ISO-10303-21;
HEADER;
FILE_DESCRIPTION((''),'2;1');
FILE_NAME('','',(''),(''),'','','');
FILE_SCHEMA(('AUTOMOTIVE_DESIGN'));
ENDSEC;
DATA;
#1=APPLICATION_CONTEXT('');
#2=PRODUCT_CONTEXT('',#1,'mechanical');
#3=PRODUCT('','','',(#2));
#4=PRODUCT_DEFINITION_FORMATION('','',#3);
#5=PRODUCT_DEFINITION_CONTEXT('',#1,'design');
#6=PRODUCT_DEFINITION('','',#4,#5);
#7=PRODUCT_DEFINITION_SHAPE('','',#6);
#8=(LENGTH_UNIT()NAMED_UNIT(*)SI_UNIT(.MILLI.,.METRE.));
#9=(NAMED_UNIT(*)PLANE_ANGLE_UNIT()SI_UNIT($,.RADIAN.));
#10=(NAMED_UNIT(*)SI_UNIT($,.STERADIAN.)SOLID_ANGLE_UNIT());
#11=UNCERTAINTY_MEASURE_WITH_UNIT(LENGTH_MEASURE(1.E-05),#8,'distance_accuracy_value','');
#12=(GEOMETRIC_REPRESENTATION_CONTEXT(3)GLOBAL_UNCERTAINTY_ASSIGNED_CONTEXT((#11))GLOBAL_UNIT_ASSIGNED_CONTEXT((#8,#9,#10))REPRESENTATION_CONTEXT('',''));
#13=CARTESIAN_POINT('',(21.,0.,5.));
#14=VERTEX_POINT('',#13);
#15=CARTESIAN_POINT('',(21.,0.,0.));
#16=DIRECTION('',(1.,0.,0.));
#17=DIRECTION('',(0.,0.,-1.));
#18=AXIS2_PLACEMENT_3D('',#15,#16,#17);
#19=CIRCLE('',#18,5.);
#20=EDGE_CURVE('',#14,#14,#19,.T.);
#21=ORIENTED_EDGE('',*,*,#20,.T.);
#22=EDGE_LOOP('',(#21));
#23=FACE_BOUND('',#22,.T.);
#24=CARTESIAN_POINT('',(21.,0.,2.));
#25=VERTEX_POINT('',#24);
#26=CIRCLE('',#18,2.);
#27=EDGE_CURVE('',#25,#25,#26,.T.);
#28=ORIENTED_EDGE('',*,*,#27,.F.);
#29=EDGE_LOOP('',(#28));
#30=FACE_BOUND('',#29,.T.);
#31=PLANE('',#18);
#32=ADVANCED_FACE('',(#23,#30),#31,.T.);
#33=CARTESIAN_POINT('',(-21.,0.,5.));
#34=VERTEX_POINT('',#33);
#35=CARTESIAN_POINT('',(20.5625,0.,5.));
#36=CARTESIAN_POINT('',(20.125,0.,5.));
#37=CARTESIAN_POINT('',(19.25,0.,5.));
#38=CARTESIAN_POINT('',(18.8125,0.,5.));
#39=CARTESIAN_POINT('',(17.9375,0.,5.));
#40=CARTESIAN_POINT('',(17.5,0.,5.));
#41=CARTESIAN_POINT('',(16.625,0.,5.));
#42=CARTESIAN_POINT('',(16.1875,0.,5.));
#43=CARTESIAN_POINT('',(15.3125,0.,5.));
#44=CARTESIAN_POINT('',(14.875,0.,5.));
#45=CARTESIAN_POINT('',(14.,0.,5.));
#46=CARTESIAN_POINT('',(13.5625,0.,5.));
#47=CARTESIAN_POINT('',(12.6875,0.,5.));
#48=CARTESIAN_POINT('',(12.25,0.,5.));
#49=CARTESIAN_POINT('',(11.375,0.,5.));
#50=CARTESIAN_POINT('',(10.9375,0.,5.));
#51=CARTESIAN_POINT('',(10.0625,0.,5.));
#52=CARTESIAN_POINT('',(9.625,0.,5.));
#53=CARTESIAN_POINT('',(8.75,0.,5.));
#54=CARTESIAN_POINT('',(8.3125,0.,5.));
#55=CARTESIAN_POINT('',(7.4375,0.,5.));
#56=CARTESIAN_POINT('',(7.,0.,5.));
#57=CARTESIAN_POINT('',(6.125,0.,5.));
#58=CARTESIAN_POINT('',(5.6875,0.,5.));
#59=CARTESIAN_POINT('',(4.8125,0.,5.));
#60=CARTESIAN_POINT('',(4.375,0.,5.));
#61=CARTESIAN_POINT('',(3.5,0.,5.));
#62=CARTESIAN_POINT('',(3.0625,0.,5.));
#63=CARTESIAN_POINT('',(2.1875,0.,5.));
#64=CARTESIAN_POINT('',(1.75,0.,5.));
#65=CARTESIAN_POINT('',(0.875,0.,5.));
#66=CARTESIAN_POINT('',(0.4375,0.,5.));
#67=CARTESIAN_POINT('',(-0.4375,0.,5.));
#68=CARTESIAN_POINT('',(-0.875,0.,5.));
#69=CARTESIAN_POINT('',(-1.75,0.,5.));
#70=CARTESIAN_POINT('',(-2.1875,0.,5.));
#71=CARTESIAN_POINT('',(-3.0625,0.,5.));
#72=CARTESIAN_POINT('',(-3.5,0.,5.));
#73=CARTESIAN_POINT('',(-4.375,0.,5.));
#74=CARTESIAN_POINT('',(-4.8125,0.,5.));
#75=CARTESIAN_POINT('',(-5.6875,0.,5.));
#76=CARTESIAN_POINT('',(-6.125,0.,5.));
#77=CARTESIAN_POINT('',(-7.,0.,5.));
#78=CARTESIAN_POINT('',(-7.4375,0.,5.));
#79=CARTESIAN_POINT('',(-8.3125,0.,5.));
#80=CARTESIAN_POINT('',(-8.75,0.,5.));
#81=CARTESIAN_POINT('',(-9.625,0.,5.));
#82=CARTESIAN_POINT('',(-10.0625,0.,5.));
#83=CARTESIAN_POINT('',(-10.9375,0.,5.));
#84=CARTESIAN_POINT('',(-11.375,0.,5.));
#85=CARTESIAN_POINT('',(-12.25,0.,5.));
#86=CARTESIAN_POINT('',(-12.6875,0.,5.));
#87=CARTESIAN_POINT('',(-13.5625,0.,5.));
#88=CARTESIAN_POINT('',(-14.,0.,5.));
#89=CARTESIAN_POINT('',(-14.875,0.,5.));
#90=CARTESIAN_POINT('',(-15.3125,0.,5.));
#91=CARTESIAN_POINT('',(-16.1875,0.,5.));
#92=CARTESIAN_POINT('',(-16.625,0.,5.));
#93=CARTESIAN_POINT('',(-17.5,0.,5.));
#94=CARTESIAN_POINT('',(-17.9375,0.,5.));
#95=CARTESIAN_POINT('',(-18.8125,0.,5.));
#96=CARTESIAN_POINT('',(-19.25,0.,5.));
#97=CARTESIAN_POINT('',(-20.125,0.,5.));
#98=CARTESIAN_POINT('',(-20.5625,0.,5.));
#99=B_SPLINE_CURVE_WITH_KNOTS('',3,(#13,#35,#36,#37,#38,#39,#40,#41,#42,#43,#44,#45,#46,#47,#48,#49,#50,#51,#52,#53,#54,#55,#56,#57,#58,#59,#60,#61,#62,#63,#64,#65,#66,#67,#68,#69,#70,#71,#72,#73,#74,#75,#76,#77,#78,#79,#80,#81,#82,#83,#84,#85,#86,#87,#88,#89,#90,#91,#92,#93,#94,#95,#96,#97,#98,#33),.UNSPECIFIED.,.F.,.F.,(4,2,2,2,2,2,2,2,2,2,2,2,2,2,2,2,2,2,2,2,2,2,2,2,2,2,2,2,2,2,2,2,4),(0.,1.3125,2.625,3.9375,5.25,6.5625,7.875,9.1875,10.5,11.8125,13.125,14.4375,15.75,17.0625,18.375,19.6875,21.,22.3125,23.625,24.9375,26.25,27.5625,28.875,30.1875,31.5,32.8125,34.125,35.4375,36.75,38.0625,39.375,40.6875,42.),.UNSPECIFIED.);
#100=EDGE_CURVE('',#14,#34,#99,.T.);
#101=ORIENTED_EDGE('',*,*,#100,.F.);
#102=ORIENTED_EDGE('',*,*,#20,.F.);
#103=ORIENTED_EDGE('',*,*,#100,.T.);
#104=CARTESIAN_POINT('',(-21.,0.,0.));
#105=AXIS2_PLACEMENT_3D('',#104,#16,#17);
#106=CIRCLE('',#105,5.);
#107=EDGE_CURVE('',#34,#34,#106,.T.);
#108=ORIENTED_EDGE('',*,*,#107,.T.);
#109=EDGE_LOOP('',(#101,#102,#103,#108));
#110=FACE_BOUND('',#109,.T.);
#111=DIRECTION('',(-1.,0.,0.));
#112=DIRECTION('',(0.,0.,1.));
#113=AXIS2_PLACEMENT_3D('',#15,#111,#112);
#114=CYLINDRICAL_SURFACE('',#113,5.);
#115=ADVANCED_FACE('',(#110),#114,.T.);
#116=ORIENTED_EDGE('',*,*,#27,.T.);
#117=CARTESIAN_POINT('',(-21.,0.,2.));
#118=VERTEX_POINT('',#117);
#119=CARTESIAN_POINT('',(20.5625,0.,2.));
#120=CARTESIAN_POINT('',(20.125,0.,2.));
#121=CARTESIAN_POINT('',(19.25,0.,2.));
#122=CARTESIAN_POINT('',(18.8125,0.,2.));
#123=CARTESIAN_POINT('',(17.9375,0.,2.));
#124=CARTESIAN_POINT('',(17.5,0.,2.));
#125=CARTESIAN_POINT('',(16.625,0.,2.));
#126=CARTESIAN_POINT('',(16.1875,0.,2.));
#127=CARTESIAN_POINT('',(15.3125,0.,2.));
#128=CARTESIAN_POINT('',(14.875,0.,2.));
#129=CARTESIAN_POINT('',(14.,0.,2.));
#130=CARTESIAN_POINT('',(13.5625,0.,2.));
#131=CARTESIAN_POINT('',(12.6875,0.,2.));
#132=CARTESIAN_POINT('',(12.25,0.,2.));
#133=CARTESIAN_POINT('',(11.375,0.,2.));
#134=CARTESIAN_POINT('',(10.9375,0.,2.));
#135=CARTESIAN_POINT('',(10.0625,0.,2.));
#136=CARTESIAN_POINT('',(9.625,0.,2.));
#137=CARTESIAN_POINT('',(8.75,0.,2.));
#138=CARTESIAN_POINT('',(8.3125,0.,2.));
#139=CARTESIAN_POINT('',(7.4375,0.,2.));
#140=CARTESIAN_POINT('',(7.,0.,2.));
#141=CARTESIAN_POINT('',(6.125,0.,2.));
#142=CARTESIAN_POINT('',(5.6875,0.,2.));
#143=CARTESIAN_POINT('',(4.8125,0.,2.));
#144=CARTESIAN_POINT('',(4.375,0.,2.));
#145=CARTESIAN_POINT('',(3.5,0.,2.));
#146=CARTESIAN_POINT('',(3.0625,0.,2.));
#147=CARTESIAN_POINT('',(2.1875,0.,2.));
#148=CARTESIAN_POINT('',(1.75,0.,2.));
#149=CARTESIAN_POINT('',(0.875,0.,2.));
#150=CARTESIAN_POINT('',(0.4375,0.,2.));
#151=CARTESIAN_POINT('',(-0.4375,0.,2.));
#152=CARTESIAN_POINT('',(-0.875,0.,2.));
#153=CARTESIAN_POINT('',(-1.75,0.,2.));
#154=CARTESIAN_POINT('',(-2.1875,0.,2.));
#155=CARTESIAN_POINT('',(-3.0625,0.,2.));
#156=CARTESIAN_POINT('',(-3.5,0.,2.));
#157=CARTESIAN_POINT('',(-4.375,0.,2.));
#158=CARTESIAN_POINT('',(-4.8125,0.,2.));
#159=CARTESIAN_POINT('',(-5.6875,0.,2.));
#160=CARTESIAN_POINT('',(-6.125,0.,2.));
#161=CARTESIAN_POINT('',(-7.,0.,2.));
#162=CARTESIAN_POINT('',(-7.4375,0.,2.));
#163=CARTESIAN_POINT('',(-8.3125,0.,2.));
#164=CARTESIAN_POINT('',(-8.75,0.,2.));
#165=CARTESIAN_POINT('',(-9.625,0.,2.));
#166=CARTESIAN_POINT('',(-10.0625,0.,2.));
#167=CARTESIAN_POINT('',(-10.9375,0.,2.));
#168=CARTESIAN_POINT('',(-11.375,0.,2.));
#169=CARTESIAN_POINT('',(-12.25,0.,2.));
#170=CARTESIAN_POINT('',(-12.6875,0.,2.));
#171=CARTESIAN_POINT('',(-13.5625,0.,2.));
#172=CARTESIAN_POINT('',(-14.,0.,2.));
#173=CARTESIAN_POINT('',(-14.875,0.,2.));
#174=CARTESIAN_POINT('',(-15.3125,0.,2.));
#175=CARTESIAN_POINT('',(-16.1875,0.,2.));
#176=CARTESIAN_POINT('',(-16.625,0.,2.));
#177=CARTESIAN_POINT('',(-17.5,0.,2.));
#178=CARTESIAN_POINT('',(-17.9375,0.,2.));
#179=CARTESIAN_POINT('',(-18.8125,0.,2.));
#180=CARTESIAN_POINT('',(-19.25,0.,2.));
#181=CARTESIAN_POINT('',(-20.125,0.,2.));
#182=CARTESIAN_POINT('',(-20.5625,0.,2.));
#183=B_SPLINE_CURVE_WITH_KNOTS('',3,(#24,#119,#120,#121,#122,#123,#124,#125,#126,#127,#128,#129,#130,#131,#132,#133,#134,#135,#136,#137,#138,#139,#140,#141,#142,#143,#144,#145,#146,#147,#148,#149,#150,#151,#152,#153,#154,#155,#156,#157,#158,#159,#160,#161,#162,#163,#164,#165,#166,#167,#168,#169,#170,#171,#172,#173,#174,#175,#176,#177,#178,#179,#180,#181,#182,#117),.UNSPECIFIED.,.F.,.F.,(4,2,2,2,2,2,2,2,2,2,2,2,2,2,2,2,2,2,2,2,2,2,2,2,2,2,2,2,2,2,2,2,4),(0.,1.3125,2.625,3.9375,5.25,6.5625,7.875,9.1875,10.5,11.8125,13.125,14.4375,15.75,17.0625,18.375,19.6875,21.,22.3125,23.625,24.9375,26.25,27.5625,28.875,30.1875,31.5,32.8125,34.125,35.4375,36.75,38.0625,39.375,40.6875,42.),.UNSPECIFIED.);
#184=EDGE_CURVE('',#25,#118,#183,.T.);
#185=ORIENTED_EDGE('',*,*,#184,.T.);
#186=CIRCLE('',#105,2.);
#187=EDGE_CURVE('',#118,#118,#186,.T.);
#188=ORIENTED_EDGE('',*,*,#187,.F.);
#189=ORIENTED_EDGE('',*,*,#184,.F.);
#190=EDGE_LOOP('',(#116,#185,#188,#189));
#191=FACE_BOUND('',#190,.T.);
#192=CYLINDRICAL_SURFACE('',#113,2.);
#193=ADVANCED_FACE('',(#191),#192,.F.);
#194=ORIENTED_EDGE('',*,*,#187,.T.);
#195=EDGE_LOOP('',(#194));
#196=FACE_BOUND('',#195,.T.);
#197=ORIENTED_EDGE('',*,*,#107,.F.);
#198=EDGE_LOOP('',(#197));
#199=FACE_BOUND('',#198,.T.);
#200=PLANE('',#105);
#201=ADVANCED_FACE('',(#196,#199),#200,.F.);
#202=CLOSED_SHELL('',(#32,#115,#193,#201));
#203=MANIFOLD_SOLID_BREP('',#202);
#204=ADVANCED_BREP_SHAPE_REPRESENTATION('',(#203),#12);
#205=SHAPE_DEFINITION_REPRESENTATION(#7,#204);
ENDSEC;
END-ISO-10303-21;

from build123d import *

# Parameters (mm, degrees)
SKETCH_1_R      = 5
SKETCH_1_R_2    = 2
EXTRUDE_1_DEPTH = 21


with BuildPart() as part:
    # 草图1 → 凸台-拉伸1 (new, symmetric)
    with BuildSketch(Plane(origin=(0, 0, 0), x_dir=(0, 0, -1), z_dir=(1, 0, 0))):
        with Locations(Location((0, 0, 0), (0, 0, 180))):
            Circle(SKETCH_1_R)
        with Locations(Location((0, 0, 0), (0, 0, 180))):
            Circle(SKETCH_1_R_2, mode=Mode.SUBTRACT)
    extrude(amount=EXTRUDE_1_DEPTH, both=True)


solid = part.part
